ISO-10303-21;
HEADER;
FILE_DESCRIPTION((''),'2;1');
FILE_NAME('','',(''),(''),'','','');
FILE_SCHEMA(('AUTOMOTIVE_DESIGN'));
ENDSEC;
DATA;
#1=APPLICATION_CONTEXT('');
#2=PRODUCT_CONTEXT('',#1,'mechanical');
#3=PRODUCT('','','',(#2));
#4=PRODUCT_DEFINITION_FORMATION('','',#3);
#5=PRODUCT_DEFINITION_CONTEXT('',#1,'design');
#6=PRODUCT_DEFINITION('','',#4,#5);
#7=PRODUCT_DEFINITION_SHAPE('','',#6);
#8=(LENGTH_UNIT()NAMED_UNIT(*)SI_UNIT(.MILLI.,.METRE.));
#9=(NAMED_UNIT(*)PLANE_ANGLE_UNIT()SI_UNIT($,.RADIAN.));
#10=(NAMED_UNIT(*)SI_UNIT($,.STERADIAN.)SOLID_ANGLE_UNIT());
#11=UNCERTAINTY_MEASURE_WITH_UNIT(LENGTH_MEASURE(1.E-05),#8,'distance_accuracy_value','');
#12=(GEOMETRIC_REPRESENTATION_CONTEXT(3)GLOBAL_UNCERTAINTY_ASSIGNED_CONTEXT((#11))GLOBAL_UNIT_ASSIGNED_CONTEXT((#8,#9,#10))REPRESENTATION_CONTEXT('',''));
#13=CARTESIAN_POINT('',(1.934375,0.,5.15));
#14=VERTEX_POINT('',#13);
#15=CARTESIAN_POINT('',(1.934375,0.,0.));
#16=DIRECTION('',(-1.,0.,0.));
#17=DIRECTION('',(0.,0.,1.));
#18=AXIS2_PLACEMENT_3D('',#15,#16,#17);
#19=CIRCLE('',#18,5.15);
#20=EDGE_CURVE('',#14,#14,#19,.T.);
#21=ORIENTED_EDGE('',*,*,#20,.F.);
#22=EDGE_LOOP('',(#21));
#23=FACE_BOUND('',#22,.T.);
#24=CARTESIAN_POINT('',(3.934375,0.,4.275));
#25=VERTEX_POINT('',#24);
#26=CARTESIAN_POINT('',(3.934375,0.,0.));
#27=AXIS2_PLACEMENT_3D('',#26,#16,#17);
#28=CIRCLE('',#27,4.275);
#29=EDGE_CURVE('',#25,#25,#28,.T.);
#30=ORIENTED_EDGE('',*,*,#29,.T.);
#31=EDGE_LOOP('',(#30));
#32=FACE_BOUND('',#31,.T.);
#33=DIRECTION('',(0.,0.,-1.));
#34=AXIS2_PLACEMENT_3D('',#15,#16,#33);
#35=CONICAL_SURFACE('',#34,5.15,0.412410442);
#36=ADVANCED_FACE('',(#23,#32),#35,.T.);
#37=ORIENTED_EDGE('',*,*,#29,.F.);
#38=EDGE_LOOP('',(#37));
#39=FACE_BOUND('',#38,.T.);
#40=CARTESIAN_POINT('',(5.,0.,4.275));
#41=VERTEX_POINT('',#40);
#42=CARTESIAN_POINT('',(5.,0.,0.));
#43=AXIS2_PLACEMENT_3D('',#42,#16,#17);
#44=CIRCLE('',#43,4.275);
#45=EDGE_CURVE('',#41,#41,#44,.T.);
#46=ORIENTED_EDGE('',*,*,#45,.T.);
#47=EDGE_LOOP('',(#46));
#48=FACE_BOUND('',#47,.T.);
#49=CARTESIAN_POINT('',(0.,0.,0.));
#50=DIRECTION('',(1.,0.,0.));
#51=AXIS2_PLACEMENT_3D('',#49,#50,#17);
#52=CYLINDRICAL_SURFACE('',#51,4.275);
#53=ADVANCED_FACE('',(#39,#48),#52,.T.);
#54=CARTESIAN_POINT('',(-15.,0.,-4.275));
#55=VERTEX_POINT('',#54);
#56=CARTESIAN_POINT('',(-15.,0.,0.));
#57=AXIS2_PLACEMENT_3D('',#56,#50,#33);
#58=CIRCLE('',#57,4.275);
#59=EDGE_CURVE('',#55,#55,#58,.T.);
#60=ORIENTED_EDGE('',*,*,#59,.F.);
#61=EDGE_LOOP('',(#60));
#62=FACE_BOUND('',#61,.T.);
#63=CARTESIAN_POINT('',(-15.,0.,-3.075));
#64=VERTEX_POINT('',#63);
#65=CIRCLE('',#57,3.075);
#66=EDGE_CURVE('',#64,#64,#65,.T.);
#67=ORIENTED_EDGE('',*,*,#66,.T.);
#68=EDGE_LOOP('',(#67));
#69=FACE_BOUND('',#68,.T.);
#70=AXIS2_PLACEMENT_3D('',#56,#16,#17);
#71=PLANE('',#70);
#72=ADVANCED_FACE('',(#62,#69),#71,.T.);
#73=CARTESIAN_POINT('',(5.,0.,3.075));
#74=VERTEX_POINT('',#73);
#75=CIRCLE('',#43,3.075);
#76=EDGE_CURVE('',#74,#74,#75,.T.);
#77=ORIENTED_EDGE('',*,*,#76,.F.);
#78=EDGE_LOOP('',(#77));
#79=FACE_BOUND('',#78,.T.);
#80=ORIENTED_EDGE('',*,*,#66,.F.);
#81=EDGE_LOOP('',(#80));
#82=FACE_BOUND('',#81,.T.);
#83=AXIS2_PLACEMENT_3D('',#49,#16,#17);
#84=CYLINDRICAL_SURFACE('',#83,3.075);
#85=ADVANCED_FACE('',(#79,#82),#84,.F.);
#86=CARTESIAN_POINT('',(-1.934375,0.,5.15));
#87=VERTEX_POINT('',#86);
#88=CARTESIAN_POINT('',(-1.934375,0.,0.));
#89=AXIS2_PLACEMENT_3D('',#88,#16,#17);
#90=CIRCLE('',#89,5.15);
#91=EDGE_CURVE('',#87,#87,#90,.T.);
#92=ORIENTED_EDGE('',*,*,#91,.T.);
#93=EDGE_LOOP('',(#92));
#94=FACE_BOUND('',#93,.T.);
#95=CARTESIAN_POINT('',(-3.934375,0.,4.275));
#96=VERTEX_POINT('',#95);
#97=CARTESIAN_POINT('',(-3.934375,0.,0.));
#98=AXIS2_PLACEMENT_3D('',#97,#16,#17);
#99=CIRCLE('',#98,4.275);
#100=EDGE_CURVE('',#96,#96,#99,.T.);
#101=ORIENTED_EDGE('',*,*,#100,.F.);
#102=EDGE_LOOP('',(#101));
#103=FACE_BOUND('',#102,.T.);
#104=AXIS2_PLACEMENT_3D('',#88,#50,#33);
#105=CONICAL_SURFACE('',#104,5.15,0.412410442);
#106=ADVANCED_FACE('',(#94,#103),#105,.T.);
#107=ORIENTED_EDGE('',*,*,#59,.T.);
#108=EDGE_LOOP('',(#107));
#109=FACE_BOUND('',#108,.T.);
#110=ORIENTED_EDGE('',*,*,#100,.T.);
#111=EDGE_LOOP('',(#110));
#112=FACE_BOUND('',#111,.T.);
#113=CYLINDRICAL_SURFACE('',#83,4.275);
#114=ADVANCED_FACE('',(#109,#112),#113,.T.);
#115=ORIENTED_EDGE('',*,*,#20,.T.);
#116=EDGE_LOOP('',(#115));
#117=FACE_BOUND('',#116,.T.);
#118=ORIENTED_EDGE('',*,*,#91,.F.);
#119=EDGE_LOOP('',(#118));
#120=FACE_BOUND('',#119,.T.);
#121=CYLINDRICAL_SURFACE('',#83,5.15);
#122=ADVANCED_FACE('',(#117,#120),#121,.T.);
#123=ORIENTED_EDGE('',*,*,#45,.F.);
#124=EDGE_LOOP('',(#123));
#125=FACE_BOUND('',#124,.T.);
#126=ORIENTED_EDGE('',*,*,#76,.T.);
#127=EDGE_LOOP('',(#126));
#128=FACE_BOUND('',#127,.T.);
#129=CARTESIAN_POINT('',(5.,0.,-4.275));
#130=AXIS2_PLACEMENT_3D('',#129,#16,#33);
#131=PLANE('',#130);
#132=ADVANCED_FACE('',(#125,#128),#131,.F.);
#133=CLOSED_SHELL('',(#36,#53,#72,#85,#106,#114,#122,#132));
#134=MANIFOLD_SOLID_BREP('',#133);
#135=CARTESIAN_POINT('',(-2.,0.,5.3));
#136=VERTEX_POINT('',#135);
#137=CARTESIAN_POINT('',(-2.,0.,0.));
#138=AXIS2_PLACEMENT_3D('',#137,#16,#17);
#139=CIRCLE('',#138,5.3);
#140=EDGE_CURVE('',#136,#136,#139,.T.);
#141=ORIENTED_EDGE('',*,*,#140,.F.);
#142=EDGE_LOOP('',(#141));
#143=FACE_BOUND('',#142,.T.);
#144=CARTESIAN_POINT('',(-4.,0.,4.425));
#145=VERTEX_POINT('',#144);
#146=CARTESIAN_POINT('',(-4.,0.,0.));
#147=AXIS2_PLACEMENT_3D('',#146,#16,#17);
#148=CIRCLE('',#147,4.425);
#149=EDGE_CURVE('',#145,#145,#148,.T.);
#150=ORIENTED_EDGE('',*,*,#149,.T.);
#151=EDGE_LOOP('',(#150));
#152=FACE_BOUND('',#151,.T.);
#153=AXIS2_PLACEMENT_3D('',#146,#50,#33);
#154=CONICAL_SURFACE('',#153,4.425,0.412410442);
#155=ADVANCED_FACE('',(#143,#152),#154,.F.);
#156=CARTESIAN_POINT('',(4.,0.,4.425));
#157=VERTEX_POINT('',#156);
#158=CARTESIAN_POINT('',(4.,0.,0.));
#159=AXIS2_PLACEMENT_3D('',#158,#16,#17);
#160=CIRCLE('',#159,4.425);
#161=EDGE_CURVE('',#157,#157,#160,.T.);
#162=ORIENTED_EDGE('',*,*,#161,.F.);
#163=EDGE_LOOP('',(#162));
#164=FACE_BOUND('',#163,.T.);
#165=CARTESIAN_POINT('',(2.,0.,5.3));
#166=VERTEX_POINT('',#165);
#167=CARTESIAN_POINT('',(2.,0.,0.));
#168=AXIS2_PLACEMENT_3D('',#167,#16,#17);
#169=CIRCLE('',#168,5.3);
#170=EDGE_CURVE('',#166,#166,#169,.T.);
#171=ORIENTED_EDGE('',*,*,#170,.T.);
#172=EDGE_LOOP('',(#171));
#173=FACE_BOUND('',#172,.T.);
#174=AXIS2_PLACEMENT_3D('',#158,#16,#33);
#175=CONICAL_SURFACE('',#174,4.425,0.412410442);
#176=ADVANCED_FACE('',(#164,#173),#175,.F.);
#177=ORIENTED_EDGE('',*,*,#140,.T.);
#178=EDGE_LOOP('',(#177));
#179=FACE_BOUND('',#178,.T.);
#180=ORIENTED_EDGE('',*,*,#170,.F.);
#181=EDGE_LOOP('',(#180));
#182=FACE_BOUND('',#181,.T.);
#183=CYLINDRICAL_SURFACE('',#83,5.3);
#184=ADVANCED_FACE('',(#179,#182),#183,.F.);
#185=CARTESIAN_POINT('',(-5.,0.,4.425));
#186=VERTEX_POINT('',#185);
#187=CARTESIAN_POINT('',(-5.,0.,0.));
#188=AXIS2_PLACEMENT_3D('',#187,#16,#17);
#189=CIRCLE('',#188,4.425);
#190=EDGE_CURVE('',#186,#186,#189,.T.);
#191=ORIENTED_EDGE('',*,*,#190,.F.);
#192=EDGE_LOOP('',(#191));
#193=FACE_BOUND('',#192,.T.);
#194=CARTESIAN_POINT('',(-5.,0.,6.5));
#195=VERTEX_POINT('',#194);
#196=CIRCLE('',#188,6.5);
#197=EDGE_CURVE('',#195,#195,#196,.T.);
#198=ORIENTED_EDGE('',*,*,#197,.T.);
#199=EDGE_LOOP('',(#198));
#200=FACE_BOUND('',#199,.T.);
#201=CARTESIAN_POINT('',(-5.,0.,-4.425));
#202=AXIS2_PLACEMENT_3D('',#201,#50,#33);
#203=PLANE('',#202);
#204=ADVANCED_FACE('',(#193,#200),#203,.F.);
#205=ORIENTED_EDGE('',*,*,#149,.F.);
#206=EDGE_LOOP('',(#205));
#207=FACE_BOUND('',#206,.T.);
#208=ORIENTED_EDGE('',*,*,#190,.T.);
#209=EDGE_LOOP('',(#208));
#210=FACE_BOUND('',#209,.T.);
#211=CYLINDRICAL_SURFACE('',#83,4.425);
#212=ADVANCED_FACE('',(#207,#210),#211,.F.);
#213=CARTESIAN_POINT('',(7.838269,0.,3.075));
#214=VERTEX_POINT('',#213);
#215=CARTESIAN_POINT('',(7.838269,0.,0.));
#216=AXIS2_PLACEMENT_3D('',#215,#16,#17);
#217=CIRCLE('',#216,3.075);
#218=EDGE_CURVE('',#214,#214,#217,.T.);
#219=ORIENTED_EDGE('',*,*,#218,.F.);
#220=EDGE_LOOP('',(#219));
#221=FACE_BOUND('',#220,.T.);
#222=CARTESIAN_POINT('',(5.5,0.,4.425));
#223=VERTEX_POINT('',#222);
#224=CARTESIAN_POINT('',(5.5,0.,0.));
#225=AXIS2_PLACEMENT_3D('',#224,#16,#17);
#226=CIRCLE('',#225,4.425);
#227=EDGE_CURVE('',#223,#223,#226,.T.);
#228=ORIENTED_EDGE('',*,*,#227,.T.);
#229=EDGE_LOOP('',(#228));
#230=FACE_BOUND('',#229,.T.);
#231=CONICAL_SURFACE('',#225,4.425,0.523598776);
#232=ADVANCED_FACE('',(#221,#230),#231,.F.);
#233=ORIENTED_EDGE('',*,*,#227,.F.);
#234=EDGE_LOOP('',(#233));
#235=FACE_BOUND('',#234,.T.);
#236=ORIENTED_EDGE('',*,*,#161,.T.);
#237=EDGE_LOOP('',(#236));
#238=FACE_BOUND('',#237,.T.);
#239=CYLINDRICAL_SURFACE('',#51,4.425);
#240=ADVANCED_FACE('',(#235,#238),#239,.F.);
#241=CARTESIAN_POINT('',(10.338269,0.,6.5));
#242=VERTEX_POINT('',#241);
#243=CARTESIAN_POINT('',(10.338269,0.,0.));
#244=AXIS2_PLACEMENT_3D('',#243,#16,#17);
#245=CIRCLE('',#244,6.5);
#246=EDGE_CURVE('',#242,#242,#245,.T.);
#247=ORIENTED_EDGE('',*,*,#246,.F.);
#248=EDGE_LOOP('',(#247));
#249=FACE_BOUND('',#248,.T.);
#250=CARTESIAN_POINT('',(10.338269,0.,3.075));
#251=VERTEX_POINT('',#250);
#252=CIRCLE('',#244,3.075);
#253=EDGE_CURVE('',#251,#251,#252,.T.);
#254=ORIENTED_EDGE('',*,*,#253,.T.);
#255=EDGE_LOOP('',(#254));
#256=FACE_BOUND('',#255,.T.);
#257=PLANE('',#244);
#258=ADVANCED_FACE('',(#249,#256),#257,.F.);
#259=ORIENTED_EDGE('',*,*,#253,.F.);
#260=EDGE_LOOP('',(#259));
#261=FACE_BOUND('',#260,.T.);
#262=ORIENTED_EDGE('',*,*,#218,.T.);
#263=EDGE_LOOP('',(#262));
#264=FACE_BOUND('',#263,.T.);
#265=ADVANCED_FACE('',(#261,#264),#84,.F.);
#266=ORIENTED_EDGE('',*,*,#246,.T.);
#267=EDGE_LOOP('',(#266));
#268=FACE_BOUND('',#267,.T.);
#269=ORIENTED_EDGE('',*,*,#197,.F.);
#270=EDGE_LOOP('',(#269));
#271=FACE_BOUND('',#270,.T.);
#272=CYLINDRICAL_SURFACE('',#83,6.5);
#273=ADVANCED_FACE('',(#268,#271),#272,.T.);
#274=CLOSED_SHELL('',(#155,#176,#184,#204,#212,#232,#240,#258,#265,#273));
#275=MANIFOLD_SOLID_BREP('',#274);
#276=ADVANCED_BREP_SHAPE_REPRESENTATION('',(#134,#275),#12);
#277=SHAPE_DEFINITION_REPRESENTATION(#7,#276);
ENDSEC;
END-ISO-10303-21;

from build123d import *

# Parameters (mm, degrees)
SKETCH3_W = 10
SKETCH3_H = 1.2


with BuildPart() as part:
    # Sketch1 → Revolve1 (revolve)
    with BuildSketch(Plane(origin=(0, 0, 0), x_dir=(1, 0, 0), z_dir=(0, 1, 0))):
        Polygon((-5, 4.425), (-5, 6.5), (0, 6.5), (0, 5.3), (-2, 5.3), (-4, 4.425), align=None)
        Polygon((0, 5.15), (-1.934375, 5.15), (-3.934375, 4.275), (-5, 4.275), (-5, 3.075), (0, 3.075), align=None)
    revolve1 = revolve(axis=Axis((0, 0, 0), (1, 0, 0)))

    # Mirror1: Revolve1 across plane
    add(revolve1.mirror(Plane(origin=(0, 0, 0), x_dir=(0, 0, 1), z_dir=(1, 0, 0))))

    # Sketch2 → Revolve2 (revolve)
    with BuildSketch(Plane(origin=(0, 0, 0), x_dir=(1, 0, 0), z_dir=(0, 1, 0))):
        Polygon((10.33826859, 6.5), (5, 6.5), (5, 4.425), (5.5, 4.425), (7.83826859, 3.075), (10.33826859, 3.075), align=None)
    revolve(axis=Axis((0, 0, 0), (1, 0, 0)))

    # Sketch3 → Revolve3 (revolve)
    with BuildSketch(Plane(origin=(0, 0, 0), x_dir=(1, 0, 0), z_dir=(0, 1, 0))):
        with Locations((-10, 3.675)):
            Rectangle(SKETCH3_W, SKETCH3_H)
    revolve(axis=Axis((0, 0, 0), (-1, 0, 0)))


solid = part.part
